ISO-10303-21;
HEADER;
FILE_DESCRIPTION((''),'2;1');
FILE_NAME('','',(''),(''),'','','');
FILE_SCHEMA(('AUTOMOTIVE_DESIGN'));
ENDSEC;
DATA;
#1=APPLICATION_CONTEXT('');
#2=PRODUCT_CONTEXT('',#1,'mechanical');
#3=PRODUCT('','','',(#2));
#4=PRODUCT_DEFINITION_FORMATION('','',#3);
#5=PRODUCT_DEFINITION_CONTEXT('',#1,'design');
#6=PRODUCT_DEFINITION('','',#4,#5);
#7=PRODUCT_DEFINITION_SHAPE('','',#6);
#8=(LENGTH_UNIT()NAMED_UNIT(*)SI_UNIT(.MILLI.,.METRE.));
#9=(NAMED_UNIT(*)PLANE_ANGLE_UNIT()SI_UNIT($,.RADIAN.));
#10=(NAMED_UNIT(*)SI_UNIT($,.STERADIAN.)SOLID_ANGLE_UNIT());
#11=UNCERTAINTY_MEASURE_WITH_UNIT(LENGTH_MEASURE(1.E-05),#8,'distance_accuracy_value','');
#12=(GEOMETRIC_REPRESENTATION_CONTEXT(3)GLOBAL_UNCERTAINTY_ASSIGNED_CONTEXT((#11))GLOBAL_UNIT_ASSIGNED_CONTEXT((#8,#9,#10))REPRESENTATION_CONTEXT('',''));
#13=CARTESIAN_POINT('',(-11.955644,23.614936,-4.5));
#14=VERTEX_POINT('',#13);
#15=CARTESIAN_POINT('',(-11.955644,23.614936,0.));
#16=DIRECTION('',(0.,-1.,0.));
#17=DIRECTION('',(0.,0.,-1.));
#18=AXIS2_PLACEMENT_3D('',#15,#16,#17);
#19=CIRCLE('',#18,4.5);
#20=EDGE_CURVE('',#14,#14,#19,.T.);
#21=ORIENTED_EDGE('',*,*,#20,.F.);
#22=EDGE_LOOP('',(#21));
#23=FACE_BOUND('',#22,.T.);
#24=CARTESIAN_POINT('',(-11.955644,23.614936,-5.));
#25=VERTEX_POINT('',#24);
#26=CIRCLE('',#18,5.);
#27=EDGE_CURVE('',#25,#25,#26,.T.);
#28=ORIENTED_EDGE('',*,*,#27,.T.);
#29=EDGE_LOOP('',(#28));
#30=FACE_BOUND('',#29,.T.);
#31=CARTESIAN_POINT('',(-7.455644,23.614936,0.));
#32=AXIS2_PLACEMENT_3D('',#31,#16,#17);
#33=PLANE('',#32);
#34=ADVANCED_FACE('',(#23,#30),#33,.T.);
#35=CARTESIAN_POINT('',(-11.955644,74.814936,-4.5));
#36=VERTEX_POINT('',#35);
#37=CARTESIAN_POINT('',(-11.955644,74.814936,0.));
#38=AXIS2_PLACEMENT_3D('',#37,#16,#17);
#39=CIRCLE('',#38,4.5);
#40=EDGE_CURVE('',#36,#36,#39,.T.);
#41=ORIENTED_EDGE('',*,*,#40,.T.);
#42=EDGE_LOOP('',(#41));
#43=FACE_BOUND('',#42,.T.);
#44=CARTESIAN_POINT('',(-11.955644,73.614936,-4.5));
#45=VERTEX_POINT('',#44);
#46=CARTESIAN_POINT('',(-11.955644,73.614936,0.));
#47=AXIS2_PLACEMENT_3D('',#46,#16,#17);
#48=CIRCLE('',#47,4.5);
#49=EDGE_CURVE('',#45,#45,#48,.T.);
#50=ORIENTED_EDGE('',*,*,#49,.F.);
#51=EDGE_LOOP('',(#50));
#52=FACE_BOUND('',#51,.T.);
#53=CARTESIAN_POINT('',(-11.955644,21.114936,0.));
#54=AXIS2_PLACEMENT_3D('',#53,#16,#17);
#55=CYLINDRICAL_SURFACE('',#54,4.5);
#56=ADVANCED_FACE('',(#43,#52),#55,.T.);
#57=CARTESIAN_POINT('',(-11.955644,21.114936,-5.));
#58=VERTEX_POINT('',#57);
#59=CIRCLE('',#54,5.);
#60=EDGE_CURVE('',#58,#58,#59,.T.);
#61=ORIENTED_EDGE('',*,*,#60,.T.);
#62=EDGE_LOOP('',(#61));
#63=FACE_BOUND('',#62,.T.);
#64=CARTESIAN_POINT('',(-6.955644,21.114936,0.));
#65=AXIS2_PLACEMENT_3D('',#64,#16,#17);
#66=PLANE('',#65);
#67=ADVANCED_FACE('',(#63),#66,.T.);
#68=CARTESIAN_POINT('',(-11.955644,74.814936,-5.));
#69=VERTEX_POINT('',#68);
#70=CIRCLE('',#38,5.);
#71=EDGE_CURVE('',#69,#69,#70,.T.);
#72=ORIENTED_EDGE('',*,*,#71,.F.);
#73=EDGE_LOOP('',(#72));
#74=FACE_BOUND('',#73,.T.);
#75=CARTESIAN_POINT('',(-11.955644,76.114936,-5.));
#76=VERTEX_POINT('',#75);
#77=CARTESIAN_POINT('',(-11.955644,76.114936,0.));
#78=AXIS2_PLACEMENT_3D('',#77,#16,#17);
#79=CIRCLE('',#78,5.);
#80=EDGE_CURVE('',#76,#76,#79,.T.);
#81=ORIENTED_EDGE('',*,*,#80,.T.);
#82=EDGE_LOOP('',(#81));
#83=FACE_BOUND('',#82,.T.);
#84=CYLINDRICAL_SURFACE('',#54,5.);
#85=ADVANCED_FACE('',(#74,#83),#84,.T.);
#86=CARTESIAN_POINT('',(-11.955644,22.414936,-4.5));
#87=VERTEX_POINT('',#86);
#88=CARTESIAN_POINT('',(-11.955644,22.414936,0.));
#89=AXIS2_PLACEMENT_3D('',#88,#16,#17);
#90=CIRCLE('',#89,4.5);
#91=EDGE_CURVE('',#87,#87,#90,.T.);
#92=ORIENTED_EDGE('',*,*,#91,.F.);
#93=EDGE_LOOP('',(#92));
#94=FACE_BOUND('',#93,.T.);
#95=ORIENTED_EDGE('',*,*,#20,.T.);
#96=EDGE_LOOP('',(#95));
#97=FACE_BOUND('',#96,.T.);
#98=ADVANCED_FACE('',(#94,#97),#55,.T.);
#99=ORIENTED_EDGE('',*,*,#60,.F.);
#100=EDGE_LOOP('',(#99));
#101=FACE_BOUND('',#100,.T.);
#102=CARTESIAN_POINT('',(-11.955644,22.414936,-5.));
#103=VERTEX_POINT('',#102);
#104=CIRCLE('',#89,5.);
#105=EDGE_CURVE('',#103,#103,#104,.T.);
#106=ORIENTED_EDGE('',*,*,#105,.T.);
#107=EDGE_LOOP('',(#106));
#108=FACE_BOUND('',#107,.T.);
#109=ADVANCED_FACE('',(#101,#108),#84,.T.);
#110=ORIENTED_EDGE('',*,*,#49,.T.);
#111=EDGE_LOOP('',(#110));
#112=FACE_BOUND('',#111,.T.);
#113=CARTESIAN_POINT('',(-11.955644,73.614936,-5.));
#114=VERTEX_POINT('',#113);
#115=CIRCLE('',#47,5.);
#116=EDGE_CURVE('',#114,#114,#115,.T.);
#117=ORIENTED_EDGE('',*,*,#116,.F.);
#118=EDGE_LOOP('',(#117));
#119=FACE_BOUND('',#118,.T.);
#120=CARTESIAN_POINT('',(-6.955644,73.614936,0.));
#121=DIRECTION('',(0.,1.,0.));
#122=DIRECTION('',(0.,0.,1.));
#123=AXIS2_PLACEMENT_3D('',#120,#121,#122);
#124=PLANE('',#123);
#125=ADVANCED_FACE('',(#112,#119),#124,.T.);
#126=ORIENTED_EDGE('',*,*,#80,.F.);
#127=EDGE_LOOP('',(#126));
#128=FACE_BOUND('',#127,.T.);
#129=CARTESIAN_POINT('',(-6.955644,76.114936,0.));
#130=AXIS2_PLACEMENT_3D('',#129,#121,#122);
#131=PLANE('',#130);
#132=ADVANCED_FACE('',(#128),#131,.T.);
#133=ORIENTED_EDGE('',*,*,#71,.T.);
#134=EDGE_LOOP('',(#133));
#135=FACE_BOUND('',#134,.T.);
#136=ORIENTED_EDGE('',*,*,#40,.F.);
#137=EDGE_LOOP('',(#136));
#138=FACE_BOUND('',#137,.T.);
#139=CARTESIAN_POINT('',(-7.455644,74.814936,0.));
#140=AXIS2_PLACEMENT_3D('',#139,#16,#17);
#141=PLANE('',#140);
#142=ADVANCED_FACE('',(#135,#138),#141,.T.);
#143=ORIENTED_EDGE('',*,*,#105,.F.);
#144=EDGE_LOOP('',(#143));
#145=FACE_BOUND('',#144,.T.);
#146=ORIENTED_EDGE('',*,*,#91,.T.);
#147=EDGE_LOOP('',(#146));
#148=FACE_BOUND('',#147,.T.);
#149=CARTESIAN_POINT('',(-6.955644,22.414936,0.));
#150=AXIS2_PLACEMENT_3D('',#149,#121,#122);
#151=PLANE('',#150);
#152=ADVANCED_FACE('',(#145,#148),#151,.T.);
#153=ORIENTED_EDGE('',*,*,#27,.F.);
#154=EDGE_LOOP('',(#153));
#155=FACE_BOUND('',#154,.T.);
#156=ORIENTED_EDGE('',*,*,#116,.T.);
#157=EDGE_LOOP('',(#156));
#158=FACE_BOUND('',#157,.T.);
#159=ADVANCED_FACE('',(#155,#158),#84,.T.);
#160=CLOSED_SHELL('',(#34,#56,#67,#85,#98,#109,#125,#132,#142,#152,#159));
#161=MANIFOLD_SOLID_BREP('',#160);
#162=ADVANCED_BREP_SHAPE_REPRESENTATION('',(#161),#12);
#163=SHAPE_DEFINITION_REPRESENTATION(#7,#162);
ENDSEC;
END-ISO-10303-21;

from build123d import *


with BuildPart() as part:
    # 草图1 → 旋转1 (revolve)
    with BuildSketch(Plane.XY, mode=Mode.PRIVATE) as revolve_1_sk:
        Polygon((-6.955644483, 21.114936393), (-11.955644483, 21.114936393), (-11.955644483, 76.114936393), (-6.955644483, 76.114936393), (-6.955644483, 74.814936393), (-7.455644483, 74.814936393), (-7.455644483, 73.614936393), (-6.955644483, 73.614936393), (-6.955644483, 23.614936393), (-7.455644483, 23.614936393), (-7.455644483, 22.414936393), (-6.955644483, 22.414936393), align=None)
    revolve(revolve_1_sk.sketch.rotate(Axis((-11.955644483, 21.114936393, 0), (0, 1, 0)), 90), axis=Axis((-11.955644483, 21.114936393, 0), (0, 1, 0)))


solid = part.part
